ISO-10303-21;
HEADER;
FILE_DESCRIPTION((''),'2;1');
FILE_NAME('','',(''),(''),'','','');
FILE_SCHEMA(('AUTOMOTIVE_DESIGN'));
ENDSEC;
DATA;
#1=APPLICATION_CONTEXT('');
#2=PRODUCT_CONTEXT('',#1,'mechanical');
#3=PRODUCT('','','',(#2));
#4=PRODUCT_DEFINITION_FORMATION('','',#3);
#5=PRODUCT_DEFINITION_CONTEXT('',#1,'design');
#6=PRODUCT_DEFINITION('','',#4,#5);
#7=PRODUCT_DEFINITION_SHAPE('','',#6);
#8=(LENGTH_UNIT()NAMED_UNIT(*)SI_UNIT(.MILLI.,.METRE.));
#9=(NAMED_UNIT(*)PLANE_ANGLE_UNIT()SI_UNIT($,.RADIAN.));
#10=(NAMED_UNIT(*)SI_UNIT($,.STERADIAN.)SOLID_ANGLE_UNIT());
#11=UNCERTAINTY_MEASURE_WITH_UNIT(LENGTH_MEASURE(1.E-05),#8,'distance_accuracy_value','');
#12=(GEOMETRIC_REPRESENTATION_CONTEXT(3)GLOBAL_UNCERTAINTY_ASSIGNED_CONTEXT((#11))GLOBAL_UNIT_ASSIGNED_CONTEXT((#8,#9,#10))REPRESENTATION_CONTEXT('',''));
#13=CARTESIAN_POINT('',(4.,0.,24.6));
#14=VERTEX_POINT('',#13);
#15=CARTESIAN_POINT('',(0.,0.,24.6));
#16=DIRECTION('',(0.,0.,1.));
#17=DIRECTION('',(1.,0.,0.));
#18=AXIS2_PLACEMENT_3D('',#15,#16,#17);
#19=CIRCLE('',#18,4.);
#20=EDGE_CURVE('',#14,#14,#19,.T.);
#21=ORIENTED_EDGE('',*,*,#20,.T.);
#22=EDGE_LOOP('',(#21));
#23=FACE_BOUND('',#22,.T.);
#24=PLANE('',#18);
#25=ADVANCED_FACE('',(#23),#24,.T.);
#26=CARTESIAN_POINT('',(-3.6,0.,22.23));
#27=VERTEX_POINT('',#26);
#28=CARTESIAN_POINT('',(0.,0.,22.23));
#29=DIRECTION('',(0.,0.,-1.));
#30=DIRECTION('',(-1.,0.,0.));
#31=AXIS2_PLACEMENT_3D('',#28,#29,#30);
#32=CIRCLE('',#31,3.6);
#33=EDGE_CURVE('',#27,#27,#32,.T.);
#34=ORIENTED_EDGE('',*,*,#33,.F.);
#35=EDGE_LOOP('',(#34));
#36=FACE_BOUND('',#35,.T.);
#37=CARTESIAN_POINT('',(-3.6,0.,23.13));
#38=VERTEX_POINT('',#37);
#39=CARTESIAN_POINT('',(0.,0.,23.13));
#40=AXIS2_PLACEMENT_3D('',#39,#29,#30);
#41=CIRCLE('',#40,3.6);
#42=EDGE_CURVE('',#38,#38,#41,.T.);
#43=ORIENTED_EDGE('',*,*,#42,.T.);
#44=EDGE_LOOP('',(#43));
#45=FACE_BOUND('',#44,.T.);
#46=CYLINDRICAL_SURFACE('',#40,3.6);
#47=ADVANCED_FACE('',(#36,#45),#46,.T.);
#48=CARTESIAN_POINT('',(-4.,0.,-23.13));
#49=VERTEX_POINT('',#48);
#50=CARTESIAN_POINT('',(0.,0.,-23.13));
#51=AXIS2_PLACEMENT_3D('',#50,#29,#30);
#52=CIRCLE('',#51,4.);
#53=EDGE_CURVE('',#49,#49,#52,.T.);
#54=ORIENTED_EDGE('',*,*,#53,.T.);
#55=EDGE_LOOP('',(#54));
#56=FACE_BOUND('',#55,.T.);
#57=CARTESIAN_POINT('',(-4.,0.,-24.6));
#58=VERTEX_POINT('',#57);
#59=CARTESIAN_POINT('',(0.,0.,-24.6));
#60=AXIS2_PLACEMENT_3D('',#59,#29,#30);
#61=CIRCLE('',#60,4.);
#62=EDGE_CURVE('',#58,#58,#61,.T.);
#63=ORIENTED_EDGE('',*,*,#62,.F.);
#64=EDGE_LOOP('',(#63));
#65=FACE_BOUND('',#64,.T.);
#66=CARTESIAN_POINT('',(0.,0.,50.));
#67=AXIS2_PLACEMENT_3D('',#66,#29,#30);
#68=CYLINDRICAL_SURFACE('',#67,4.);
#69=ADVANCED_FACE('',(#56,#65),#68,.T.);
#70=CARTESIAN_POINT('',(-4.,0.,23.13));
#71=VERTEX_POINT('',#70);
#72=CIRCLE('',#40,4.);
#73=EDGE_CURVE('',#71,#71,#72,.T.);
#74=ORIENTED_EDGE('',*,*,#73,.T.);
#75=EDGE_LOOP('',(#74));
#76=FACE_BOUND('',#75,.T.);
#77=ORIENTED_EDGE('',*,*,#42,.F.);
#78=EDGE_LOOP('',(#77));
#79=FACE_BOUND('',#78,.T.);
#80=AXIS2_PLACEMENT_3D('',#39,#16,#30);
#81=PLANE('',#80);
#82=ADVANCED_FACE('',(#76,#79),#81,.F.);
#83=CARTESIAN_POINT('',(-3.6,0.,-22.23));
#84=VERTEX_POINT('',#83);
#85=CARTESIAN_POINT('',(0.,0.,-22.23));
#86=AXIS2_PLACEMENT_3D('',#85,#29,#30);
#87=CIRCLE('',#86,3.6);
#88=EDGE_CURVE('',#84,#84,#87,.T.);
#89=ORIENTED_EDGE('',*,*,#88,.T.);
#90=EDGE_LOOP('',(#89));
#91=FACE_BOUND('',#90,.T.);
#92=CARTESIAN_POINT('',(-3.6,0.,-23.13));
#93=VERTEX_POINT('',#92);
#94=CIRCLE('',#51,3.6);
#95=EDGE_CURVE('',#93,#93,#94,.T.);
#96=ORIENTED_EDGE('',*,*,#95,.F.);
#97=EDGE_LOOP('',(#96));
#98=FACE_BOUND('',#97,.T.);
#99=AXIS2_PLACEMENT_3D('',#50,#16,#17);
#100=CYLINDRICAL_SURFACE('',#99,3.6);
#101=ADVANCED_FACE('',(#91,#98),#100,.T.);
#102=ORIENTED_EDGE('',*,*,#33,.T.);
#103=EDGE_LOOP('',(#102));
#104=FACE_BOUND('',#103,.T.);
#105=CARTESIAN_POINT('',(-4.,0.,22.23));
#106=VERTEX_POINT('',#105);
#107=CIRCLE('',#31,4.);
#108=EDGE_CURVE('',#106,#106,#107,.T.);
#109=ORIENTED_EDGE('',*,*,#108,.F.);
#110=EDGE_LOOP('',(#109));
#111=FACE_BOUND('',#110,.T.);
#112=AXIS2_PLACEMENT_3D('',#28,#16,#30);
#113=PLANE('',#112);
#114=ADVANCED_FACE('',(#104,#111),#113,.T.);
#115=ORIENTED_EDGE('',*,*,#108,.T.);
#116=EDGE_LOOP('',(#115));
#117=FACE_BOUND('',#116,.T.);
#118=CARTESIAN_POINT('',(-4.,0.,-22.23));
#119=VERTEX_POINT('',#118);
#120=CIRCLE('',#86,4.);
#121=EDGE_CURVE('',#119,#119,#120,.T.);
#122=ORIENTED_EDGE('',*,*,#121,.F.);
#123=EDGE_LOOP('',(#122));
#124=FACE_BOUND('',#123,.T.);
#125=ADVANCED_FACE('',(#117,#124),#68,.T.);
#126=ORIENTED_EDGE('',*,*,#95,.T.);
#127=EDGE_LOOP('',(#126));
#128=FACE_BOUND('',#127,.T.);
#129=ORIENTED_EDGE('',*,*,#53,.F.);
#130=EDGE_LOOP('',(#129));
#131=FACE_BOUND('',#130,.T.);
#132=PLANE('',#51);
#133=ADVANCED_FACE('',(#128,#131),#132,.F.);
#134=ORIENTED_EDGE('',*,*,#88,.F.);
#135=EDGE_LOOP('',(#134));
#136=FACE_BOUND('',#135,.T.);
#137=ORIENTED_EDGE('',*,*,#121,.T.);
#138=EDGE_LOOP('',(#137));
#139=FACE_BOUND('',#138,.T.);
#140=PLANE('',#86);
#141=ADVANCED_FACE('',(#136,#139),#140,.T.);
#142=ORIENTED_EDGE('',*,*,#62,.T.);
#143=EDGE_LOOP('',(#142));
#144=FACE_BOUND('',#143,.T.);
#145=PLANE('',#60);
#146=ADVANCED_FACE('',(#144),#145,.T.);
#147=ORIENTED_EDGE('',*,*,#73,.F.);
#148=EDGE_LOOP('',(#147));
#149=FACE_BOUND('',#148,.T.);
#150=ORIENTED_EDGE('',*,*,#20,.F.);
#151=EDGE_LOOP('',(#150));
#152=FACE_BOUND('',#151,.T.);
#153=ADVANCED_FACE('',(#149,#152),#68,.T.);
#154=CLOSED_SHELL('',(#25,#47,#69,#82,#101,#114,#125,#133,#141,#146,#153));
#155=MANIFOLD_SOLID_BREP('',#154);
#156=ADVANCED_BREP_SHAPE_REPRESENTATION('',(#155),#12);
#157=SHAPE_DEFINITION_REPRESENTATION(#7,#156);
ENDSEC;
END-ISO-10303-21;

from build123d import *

# Parameters (mm, degrees)
BOSS_EXTRUDE1_DEPTH      = 50
BOSS_EXTRUDE1_DEPTH_BACK = 50
SKETCH3_R                = 4
CHAMFER1_SIZE            = 0.56
SKETCH4_R                = 8.463045105
CUT_EXTRUDE1_DEPTH       = 25.4
SKETCH5_R                = 6.629814771
CUT_EXTRUDE2_DEPTH       = 25.4
CUT_EXTRUDE3_START       = -1.47
SKETCH6_R                = 4
SKETCH6_R_2              = 3.6
CUT_EXTRUDE3_DEPTH       = 0.9


with BuildPart() as part:
    # Sketch3 → Boss-Extrude1 (new, two sides: drawn at the far end of the back side and taken through both)
    with BuildSketch(Plane.XY.offset(-BOSS_EXTRUDE1_DEPTH_BACK)):
        Circle(SKETCH3_R)
    extrude(amount=BOSS_EXTRUDE1_DEPTH + BOSS_EXTRUDE1_DEPTH_BACK)

    # Chamfer1
    chamfer1_edges = [part.edges().sort_by_distance(p)[0] for p in [
        (-4, 0, -50),
        (-4, 0, 50),
    ]]
    chamfer(chamfer1_edges, length=CHAMFER1_SIZE)

    # Sketch4 → Cut-Extrude1 (cut)
    with BuildSketch(Plane.XY.offset(50)):
        Circle(SKETCH4_R)
    extrude(amount=-CUT_EXTRUDE1_DEPTH, mode=Mode.SUBTRACT)

    # Sketch5 → Cut-Extrude2 (cut)
    with BuildSketch(Plane(origin=(0, 0, -50), x_dir=(-1, 0, 0), z_dir=(0, 0, -1))):
        Circle(SKETCH5_R)
    extrude(amount=-CUT_EXTRUDE2_DEPTH, mode=Mode.SUBTRACT)

    # Sketch6 → Cut-Extrude3 (cut)
    with BuildSketch(Plane(origin=(0, 0, -24.6), x_dir=(-1, 0, 0), z_dir=(0, 0, -1)).offset(CUT_EXTRUDE3_START)):
        Circle(SKETCH6_R)
        Circle(SKETCH6_R_2, mode=Mode.SUBTRACT)
    cut_extrude3 = extrude(amount=-CUT_EXTRUDE3_DEPTH, mode=Mode.SUBTRACT)

    # Mirror1: Cut-Extrude3 across plane
    add(cut_extrude3.mirror(Plane(origin=(0, 0, 0), x_dir=(1, 0, 0), z_dir=(0, 0, -1))), mode=Mode.SUBTRACT)


solid = part.part
